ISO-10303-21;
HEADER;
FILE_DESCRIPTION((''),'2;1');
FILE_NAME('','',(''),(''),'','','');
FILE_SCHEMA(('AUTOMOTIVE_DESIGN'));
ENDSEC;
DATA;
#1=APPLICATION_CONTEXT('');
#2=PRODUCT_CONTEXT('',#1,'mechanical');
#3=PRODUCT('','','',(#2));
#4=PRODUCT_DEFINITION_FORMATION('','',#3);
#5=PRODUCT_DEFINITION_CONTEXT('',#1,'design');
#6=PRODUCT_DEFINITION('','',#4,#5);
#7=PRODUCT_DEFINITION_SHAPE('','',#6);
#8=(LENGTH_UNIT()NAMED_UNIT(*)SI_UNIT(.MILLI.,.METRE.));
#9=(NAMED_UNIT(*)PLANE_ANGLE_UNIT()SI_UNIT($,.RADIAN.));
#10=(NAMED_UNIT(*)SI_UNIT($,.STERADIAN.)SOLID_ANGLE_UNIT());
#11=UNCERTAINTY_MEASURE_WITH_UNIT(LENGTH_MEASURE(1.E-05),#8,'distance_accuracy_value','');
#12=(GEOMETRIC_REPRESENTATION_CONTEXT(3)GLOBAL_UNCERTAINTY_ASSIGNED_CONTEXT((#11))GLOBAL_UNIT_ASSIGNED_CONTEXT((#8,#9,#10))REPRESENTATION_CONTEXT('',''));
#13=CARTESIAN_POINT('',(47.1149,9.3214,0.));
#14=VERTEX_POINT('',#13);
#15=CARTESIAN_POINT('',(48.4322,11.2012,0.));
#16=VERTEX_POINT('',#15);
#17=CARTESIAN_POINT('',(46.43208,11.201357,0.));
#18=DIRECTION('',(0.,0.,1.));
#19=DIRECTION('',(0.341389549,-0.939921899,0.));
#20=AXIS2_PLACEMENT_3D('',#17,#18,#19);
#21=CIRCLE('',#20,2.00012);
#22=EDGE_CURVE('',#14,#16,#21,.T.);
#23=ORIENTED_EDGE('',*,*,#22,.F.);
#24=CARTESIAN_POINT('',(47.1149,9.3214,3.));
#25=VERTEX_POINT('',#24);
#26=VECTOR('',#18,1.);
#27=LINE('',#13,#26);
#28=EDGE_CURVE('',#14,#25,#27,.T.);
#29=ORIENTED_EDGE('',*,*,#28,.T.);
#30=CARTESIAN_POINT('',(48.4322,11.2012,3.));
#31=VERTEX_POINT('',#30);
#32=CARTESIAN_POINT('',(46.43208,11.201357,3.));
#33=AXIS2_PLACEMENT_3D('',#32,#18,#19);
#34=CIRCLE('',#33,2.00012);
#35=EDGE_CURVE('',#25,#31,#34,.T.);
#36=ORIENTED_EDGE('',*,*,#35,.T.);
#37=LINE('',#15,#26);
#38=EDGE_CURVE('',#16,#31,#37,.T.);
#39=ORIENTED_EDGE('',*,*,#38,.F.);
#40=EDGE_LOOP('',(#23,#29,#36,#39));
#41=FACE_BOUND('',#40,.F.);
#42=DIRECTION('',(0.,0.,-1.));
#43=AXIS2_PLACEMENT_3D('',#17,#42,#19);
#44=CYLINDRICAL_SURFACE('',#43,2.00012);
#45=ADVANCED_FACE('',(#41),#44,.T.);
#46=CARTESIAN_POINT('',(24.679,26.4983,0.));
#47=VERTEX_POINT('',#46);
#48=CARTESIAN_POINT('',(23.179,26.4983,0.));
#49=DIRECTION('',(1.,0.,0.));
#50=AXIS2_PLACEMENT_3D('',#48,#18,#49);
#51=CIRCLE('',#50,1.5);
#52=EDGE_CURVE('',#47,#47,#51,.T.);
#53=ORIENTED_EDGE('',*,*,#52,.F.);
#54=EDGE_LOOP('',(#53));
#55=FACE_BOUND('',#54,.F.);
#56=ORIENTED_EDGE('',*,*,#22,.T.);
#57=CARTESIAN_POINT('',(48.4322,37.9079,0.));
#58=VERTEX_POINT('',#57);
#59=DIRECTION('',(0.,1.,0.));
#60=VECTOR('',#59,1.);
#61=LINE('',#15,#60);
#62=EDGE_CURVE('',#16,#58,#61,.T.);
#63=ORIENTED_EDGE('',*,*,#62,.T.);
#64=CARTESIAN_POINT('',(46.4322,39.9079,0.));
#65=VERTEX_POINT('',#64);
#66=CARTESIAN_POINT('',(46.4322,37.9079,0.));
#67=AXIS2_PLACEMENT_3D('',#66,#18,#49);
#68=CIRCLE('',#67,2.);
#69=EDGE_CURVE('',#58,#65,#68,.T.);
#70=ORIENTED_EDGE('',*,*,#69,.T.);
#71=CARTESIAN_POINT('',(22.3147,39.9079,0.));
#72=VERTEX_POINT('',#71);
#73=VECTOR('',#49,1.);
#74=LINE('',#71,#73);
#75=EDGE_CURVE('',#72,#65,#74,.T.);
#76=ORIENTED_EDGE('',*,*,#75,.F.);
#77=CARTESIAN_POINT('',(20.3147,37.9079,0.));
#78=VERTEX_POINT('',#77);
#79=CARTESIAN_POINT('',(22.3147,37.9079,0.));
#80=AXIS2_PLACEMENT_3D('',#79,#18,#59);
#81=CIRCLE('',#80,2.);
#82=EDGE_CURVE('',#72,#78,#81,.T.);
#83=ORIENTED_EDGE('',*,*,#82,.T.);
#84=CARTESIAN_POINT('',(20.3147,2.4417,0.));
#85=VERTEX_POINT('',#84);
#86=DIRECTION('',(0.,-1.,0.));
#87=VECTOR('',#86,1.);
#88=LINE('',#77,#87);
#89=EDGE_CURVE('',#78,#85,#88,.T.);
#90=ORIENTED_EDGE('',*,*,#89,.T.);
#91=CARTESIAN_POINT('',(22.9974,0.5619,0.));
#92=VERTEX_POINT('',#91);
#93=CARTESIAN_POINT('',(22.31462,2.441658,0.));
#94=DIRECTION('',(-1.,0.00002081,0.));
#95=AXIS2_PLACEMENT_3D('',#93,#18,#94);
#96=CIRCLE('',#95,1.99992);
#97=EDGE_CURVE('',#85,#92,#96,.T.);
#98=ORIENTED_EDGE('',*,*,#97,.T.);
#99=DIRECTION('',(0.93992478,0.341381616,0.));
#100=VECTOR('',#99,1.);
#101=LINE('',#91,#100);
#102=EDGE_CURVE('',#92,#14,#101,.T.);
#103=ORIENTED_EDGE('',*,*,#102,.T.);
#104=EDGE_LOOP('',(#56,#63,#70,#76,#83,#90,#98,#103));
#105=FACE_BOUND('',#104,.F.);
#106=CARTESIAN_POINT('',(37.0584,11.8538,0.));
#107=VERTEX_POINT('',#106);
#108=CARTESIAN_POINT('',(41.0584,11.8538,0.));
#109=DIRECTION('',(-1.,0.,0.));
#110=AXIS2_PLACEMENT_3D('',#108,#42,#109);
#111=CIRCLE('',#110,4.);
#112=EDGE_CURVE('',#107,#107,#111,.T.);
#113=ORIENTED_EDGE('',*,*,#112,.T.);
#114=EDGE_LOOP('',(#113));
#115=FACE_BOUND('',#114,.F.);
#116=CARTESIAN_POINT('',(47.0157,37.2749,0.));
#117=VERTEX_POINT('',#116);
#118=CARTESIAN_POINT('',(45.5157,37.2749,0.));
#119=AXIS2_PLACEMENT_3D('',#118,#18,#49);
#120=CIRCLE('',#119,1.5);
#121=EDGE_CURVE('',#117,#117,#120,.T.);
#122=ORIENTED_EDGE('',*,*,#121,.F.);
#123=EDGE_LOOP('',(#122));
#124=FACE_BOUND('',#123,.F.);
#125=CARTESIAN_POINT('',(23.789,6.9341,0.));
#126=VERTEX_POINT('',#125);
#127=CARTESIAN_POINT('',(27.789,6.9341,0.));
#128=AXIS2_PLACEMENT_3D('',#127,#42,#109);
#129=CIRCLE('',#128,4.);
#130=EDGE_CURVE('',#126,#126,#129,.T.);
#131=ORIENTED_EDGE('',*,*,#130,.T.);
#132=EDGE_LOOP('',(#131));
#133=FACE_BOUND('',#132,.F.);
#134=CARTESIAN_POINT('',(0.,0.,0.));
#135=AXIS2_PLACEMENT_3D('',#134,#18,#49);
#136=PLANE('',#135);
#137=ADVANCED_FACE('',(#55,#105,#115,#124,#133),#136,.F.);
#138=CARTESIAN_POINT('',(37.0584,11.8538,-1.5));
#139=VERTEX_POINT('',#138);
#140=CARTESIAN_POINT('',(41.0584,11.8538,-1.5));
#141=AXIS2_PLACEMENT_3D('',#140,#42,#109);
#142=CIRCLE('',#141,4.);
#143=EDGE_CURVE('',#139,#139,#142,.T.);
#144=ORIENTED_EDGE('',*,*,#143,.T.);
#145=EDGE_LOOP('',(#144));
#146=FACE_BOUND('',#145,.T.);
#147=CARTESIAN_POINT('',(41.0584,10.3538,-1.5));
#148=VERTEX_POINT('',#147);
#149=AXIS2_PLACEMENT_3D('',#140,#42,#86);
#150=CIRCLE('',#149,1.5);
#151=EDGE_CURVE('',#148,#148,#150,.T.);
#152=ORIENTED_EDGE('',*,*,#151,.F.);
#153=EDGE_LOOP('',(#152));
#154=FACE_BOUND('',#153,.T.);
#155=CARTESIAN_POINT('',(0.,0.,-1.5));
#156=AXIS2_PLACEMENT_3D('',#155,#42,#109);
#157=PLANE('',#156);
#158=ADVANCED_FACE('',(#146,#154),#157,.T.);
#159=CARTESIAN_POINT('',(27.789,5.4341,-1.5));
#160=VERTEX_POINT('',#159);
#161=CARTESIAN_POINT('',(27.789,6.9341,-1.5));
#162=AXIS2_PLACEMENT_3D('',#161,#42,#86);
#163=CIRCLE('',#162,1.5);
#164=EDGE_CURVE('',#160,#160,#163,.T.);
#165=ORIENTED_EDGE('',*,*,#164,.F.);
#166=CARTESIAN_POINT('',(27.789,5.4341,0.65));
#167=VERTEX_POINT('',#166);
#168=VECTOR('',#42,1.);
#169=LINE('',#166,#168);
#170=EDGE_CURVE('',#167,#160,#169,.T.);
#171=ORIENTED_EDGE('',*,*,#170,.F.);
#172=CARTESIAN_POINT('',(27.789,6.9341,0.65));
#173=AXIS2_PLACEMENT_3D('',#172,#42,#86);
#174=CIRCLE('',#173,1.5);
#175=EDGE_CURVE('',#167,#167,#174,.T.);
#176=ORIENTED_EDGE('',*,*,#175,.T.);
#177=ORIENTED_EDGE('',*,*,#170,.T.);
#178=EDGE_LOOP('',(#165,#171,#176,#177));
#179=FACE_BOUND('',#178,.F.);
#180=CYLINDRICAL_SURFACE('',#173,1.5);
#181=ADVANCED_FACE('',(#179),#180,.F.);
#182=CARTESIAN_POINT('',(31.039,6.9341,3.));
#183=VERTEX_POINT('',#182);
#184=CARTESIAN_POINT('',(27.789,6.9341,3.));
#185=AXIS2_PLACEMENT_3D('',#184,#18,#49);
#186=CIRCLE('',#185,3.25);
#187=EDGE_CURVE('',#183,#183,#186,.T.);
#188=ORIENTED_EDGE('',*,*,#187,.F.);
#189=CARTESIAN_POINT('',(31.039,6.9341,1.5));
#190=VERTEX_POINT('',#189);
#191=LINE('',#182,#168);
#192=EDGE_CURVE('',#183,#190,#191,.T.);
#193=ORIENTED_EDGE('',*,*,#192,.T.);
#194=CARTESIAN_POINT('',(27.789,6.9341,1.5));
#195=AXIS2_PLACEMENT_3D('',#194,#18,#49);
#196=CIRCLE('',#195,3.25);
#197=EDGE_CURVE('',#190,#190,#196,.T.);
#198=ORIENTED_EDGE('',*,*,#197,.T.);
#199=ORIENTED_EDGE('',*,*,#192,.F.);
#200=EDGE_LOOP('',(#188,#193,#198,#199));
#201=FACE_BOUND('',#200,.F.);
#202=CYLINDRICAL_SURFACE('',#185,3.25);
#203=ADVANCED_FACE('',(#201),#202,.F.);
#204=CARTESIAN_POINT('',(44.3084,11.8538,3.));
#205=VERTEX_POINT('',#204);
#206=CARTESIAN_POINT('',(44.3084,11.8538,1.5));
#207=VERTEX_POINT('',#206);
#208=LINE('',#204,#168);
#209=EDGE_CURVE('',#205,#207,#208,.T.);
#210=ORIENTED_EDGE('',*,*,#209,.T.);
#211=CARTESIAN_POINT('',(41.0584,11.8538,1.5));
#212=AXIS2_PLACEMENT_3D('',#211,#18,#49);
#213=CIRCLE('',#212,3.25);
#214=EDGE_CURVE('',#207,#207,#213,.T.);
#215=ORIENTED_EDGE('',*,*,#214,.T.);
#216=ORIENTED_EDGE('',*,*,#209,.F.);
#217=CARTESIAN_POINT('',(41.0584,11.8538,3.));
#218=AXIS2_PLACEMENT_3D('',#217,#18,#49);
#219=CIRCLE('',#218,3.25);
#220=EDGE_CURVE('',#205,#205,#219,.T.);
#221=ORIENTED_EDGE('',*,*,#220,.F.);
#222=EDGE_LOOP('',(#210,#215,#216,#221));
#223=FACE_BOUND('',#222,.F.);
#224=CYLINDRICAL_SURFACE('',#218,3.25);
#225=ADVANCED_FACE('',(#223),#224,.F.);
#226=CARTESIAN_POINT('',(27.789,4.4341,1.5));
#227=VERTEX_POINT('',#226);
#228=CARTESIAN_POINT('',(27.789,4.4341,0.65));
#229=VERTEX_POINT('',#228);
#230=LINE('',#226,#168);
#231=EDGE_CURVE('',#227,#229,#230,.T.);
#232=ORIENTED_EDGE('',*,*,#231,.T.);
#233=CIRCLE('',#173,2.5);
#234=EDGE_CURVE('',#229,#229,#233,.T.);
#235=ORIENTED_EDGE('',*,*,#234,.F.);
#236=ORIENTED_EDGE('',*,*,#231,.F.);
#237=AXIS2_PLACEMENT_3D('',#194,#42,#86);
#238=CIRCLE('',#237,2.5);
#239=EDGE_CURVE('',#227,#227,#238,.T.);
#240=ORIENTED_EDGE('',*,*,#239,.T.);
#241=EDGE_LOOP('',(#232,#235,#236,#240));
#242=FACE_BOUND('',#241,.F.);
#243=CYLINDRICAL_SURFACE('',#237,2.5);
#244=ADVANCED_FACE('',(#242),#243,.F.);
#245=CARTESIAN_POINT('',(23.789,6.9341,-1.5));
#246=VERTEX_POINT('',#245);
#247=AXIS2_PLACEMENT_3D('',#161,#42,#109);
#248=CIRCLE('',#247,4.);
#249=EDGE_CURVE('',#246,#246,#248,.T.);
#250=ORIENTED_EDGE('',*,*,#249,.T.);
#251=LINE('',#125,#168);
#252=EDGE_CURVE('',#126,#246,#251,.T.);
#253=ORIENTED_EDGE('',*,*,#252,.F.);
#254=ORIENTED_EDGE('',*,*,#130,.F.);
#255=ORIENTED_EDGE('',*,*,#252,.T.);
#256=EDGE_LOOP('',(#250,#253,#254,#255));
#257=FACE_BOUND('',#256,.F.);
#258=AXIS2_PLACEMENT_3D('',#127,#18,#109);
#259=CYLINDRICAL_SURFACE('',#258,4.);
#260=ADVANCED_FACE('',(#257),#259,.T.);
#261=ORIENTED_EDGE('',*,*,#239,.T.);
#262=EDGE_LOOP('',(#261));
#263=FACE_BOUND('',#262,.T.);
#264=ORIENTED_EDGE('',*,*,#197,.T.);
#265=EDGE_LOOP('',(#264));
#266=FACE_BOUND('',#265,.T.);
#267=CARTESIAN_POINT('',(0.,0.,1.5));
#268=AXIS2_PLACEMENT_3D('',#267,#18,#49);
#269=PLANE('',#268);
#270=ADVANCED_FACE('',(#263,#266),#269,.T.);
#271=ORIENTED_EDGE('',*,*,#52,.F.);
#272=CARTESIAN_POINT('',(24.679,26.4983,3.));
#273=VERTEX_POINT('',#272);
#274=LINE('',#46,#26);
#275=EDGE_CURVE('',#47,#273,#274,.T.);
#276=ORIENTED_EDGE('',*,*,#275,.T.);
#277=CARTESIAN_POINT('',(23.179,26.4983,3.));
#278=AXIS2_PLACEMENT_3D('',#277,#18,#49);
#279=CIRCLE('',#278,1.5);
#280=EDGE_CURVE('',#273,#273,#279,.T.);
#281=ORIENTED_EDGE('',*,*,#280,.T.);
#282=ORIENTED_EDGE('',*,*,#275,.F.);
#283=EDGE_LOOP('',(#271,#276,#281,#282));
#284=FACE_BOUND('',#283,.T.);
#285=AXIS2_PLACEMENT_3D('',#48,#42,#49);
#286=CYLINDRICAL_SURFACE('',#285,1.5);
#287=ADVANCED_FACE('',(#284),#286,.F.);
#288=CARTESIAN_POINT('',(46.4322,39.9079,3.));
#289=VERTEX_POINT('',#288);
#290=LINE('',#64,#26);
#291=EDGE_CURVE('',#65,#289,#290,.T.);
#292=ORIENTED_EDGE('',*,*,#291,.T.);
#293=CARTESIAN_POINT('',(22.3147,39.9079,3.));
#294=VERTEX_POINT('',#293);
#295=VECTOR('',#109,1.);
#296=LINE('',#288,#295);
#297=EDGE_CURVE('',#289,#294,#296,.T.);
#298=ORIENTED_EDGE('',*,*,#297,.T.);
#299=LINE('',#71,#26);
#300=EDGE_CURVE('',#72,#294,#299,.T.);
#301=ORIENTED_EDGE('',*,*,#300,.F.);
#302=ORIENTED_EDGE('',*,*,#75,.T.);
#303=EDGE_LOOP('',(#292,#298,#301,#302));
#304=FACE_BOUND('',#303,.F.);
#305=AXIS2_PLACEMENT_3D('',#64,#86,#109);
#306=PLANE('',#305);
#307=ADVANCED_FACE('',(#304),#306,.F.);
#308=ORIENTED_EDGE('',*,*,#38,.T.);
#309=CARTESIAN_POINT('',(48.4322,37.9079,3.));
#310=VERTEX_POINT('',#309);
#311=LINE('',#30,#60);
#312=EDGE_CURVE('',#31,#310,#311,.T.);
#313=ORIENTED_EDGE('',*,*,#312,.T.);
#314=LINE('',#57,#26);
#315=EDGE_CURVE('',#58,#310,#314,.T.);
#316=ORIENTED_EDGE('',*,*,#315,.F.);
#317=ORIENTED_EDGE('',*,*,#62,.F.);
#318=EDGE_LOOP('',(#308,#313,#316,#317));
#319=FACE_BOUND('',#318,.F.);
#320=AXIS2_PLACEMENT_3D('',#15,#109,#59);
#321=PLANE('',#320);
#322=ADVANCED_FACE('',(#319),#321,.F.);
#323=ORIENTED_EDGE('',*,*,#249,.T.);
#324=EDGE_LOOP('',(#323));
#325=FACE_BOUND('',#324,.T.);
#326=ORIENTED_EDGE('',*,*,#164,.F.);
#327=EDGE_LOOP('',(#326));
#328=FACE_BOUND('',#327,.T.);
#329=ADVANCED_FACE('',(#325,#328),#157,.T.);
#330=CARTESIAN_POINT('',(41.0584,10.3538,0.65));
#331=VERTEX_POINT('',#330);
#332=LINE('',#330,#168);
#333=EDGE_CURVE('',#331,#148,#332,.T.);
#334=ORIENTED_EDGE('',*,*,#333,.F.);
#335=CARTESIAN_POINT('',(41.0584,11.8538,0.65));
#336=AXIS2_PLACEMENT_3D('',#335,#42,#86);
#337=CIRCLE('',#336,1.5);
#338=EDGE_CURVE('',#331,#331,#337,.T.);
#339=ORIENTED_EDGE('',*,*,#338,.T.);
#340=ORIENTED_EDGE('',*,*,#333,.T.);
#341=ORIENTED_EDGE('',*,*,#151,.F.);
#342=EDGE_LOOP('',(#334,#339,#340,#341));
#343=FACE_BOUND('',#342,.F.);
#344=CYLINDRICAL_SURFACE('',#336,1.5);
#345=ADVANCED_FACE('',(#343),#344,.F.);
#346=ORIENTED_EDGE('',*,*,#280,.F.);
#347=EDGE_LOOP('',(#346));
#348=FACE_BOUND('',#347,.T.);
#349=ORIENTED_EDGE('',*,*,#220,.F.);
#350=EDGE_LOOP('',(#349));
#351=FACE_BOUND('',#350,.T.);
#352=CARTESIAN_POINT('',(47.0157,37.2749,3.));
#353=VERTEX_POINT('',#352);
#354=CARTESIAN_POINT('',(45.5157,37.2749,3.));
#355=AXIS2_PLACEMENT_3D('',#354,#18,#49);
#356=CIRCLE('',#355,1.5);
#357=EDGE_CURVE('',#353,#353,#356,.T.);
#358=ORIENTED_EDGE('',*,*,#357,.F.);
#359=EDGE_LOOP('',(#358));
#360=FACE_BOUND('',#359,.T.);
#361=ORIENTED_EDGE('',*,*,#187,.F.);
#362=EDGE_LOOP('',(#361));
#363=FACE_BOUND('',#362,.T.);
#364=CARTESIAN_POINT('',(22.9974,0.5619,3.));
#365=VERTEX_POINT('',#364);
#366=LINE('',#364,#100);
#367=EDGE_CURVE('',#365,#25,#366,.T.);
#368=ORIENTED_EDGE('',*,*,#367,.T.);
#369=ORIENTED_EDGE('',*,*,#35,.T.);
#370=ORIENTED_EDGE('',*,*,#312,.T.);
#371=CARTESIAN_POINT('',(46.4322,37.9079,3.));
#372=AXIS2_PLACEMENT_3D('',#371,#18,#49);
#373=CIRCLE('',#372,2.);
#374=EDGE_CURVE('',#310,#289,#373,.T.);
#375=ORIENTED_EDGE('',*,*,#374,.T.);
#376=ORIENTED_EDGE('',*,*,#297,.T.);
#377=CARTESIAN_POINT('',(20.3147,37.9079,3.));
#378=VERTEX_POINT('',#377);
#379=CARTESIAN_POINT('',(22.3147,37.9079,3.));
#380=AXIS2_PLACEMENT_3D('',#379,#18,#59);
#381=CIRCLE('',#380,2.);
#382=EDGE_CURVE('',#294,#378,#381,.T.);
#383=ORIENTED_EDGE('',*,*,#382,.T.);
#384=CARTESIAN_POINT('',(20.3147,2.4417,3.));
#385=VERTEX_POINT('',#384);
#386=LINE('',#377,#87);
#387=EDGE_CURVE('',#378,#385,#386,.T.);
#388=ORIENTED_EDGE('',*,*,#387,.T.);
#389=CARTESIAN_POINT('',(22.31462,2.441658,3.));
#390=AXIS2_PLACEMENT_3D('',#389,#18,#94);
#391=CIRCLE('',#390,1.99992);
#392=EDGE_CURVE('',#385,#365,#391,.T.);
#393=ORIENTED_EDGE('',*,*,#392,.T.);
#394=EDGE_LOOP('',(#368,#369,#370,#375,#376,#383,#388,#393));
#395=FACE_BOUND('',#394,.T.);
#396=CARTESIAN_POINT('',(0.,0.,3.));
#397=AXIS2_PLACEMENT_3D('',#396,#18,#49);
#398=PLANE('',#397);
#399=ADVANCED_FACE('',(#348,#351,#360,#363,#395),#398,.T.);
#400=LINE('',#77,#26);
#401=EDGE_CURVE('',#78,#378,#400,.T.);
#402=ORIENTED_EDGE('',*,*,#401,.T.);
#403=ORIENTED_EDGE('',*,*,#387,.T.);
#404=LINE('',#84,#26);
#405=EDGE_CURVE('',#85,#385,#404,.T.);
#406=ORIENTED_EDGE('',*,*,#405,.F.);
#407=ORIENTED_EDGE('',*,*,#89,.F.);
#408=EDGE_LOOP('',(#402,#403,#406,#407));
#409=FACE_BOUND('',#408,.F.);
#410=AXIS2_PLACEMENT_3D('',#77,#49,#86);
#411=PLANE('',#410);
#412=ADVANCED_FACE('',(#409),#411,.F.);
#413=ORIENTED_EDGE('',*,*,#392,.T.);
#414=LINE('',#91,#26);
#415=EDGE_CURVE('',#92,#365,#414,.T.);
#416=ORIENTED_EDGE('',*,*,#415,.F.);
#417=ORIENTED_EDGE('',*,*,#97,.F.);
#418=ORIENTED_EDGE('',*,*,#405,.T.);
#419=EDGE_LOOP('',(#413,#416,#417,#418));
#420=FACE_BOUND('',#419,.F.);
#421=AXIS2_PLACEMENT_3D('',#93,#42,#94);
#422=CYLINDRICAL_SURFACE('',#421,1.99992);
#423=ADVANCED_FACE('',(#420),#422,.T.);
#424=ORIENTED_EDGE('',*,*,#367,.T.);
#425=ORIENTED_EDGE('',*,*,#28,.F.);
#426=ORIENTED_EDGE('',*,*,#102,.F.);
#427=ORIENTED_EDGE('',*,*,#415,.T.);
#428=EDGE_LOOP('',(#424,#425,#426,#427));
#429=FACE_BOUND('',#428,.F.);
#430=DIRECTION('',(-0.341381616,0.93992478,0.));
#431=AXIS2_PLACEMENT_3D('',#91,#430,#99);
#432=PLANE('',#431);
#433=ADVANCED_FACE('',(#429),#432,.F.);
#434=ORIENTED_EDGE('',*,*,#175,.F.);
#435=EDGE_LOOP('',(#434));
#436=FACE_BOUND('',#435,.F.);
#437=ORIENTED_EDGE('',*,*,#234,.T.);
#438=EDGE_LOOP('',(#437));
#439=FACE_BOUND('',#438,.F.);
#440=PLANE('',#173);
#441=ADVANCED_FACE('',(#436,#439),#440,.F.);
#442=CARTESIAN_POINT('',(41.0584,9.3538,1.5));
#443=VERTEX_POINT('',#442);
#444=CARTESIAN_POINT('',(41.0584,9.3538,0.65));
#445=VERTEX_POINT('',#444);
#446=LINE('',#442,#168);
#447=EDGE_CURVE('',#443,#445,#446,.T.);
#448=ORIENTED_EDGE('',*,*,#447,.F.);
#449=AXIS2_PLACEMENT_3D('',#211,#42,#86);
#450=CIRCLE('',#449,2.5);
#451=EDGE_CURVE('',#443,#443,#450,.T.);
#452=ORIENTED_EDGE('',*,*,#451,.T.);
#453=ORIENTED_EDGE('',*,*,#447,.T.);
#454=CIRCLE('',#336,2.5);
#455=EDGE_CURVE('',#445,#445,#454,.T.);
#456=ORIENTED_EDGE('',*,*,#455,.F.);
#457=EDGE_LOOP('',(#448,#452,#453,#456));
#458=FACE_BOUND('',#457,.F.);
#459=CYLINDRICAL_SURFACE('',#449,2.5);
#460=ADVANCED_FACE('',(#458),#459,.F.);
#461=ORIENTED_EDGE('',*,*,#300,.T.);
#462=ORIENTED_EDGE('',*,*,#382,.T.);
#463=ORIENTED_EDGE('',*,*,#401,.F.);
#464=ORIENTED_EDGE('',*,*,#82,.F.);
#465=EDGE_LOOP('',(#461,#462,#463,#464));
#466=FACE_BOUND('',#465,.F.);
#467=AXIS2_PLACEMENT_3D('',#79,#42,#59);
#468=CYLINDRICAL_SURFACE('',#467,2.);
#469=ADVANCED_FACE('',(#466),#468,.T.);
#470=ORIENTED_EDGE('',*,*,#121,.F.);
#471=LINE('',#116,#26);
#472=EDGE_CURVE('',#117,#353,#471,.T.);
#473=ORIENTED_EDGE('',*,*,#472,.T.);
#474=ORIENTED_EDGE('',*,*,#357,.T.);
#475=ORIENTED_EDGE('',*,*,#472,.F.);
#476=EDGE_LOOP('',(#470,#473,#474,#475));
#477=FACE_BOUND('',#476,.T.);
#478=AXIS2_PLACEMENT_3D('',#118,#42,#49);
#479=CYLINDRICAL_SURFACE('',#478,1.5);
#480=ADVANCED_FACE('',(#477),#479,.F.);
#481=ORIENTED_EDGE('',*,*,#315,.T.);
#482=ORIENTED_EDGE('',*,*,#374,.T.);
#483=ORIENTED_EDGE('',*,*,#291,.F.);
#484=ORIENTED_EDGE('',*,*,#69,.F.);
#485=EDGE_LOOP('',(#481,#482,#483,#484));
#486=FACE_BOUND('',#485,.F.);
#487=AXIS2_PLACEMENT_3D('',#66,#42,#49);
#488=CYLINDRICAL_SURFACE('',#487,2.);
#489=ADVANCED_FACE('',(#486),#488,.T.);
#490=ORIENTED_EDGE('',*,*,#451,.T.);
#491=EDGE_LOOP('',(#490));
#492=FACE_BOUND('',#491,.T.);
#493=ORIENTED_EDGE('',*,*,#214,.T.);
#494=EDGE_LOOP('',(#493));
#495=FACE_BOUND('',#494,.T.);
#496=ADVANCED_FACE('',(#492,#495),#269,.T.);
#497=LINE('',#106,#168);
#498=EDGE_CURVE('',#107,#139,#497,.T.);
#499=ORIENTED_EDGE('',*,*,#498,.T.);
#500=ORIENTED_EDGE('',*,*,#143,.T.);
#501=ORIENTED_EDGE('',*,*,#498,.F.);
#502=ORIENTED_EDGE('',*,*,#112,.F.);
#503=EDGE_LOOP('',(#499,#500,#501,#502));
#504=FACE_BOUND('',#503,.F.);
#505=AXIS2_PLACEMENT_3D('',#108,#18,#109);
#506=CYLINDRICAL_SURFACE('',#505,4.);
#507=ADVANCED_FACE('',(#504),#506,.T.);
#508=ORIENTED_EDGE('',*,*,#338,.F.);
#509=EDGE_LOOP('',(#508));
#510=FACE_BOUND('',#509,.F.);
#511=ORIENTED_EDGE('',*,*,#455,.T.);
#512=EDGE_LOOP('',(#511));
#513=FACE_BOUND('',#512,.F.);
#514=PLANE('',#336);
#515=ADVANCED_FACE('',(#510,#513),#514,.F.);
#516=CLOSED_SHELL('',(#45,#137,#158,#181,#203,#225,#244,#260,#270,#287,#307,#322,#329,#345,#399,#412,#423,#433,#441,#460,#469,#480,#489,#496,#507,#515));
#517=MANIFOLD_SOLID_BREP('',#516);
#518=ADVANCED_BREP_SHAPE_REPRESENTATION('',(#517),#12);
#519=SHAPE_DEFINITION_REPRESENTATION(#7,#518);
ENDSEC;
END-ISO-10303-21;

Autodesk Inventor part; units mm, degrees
ref_plane "YZ Plane" through (0, 0, 0) normal (1, 0, 0) x (0, 1, 0)
ref_plane "XZ Plane" through (0, 0, 0) normal (0, 1, 0) x (-1, 0, 0)
ref_plane "XY Plane" through (0, 0, 0) normal (0, 0, 1) x (1, 0, 0)
sketch "Sketch1" plane through (0, 0, 0) normal (0, 0, 1) x (1, 0, 0)
  line L0 (0, 61.5875) -> (62, 61.5875) construction
  line L1 (62, 61.5875) -> (62, -0.4125) construction
  line L2 (62, -0.4125) -> (0, -0.4125) construction
  line L3 (0, -0.4125) -> (0, 61.5875) construction
  line L4 (48.4322, 11.2012) -> (48.4322, 37.9079)
  line L5 (20.3147, 37.9079) -> (20.3147, 2.4417)
  line L6 (24.0433, 39.9079) -> (22.3147, 39.9079)
  line L7 (46.4322, 39.9079) -> (24.0433, 39.9079)
  arc A0 (22.3147, 39.9079) -> (20.3147, 37.9079) centre (22.3147, 37.9079) ccw
  circle A1 centre (23.179, 26.4983) radius 1.5
  circle A2 centre (45.5157, 37.2749) radius 1.5
  line L8 (16.613, -7.1773) -> (12.7525, -9.2371) projected
  line L9 (22.9974, 0.5619) -> (47.1149, 9.3214)
  arc A3 (20.3147, 2.4417) -> (22.9974, 0.5619) centre (22.3147, 2.4417) ccw
  arc A4 (47.1149, 9.3214) -> (48.4322, 11.2012) centre (46.4322, 11.2012) ccw
  arc A5 (48.4322, 37.9079) -> (46.4322, 39.9079) centre (46.4322, 37.9079) ccw
  point P0 (0, 0)
  point P1 (48.4322, 39.9079)
  point P2 (48.4322, 9.7998)
  point P3 (20.3147, -0.4125)
  dimension "d9" = 62
  dimension "d18" = 2
  dimension "d19" = 3
  dimension "d20" = 3
  dimension "d27" = 28.1175
  dimension "d47" = 2
extrude "Extrusion2" add sketch "Sketch1" along normal blind 3
sketch "Sketch3" plane through (0, 0, 0) normal (0, 0, -1) x (-1, 0, 0)
  circle A0 centre (-41.0584, 11.8538) radius 4
  circle A1 centre (-27.789, 6.9341) radius 4
  point P0 (0, 0)
  dimension "d51" = 8
  dimension "d52" = 8
extrude "Extrusion4" add sketch "Sketch3" along normal blind 1.5
sketch "Sketch4" plane through (0, 0, 3) normal (0, 0, 1) x (1, 0, 0)
  circle A0 centre (27.789, 6.9341) radius 4 projected
  circle A1 centre (41.0584, 11.8538) radius 4 projected
  circle A2 centre (41.0584, 11.8538) radius 3.25
  circle A3 centre (27.789, 6.9341) radius 3.25
  point P0 (0, 0)
  dimension "d55" = 6.5
  dimension "d56" = 6.5
extrude "Extrusion5" cut sketch "Sketch4" against normal blind 1.5 contours A2 | A3
sketch "Sketch5" plane through (41.0584, 11.8538, 1.5) normal (0, 0, 1) x (1, 0, 0)
  circle A0 centre (-13.2694, -4.9197) radius 3.25 projected
  circle A1 centre (0, 0) radius 3.25 projected
  point P0 (-41.0584, -11.8538)
hole "Hole1" at (27.789, 6.9341, 1.5) at (41.0584, 11.8538, 1.5) direction (0, 0, -1) diameter 3 depth 3 tip angle 118 counterbore diameter 5 counterbore depth 0.85
properties part number "bump_switch_mount"
